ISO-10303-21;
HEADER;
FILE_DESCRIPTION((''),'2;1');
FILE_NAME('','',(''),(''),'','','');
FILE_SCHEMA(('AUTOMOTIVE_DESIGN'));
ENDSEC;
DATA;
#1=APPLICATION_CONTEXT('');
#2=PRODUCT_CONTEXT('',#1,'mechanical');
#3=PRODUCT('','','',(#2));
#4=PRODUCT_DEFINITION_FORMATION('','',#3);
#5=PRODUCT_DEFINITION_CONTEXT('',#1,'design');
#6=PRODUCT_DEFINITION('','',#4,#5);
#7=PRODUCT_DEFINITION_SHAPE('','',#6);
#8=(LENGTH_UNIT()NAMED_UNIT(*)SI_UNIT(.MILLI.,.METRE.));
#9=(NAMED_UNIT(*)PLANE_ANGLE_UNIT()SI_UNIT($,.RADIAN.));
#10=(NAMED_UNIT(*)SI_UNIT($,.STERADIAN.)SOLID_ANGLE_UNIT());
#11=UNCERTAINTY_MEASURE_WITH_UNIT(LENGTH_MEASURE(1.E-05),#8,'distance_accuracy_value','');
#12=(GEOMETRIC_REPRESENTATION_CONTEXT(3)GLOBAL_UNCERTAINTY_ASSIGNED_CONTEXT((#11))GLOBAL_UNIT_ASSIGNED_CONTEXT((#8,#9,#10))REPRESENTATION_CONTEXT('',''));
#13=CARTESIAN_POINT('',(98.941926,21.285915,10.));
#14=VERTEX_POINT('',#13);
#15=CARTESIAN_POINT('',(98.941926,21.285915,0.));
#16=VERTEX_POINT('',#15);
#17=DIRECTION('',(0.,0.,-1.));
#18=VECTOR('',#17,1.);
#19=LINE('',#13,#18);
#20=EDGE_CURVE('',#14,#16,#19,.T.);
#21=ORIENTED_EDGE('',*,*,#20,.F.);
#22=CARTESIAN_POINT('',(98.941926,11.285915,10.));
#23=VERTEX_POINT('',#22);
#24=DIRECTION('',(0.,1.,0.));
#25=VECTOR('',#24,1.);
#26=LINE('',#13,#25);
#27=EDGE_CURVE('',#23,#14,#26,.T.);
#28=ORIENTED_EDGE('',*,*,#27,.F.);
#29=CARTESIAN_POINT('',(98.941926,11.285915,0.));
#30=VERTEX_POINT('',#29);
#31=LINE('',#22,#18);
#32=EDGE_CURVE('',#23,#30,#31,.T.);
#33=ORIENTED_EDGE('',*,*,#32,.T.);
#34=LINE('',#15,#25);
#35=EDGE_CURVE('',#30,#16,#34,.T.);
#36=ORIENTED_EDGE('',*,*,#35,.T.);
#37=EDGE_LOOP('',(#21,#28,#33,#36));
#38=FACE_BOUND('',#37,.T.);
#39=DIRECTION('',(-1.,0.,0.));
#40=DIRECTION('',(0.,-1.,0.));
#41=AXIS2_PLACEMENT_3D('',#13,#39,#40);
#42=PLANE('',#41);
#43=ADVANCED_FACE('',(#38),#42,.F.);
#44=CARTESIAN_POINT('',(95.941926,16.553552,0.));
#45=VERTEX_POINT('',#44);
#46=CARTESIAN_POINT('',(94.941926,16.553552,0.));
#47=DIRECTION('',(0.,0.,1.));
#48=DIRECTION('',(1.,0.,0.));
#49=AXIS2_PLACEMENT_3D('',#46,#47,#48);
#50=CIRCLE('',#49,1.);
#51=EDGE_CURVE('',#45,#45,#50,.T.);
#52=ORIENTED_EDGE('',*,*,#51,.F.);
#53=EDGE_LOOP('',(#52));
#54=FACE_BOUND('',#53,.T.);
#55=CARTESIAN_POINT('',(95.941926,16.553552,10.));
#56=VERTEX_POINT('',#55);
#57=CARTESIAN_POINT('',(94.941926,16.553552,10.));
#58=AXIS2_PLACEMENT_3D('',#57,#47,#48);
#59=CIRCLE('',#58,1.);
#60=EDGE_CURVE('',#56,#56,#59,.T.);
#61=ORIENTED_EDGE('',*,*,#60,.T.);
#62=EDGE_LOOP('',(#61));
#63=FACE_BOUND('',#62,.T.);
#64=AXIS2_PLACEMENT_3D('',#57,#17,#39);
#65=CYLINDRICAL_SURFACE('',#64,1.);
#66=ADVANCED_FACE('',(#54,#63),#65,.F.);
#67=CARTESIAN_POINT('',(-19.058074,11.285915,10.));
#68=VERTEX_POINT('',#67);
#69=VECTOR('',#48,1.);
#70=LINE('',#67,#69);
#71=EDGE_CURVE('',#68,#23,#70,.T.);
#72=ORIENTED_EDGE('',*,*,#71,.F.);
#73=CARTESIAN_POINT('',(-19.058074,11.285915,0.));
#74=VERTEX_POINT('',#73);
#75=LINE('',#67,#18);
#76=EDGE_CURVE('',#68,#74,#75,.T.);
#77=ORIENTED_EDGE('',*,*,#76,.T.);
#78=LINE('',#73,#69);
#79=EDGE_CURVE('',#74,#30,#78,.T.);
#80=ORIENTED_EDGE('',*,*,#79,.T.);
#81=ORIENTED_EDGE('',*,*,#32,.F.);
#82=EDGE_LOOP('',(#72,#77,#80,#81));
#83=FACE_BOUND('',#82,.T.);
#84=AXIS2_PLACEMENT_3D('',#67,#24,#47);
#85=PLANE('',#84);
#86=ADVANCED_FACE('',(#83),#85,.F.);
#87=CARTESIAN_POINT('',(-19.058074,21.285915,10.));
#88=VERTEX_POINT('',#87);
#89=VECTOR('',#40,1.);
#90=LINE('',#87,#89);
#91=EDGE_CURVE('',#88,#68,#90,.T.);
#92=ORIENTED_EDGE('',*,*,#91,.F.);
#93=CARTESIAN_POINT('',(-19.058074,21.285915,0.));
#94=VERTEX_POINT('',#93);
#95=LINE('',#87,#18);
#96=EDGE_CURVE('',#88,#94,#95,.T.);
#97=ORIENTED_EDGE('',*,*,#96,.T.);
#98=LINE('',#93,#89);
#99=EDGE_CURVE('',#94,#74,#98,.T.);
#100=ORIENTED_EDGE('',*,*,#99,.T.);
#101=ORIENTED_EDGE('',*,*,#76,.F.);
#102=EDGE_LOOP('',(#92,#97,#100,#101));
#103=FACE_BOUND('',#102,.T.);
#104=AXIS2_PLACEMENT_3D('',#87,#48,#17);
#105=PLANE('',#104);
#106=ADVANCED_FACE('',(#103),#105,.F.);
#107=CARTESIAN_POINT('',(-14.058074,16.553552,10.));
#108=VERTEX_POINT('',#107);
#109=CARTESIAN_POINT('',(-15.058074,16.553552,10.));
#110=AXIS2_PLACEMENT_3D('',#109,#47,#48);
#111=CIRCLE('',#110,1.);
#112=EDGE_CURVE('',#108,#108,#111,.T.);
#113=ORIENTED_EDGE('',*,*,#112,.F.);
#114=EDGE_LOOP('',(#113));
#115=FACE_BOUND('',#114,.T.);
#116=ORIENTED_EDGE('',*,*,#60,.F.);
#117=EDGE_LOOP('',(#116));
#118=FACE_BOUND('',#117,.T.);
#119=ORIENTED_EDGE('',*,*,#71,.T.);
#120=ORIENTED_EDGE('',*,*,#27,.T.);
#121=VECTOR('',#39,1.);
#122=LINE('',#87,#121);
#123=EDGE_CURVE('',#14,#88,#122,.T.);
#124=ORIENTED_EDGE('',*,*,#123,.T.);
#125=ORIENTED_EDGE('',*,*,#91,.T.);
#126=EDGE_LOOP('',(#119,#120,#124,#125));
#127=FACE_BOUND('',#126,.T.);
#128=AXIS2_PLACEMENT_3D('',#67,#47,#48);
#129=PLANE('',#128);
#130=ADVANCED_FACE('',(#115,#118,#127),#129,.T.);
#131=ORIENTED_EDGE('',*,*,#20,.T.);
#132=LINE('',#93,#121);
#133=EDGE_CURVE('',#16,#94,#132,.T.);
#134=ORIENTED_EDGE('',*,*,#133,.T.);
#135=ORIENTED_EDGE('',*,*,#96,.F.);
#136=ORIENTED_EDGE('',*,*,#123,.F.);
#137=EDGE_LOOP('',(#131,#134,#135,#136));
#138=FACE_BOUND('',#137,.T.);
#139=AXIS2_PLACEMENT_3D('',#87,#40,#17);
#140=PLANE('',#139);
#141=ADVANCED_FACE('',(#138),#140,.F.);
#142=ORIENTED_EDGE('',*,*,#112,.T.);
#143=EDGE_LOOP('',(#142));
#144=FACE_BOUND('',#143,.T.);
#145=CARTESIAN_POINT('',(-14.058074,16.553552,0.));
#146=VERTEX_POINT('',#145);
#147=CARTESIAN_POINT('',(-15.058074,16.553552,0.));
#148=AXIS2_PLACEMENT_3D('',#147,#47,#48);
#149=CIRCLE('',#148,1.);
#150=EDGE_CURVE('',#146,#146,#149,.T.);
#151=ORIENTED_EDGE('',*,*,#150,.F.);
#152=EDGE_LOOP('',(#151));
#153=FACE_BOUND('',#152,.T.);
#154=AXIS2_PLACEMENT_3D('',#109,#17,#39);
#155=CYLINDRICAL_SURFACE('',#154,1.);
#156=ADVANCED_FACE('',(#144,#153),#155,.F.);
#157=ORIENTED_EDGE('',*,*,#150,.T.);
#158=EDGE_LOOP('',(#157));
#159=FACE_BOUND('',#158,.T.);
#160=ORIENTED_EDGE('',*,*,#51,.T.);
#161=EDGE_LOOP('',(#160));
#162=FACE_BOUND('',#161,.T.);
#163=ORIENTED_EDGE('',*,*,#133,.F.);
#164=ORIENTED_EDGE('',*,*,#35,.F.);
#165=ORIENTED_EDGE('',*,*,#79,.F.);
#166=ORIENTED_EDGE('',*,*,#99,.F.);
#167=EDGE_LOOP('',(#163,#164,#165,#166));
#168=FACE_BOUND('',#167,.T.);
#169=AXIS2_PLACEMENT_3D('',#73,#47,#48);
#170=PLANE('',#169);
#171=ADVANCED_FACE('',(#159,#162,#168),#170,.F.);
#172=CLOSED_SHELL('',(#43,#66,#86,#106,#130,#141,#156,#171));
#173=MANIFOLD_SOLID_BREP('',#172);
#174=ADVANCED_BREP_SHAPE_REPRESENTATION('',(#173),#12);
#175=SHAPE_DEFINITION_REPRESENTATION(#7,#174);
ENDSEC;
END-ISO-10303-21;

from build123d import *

# Parameters (mm, degrees)
ESQUISSE1_W        = 118
ESQUISSE1_H        = 10
ESQUISSE1_R        = 1
BOSS_EXTRU_1_DEPTH = 10


with BuildPart() as part:
    # Esquisse1 → Boss.-Extru.1 (new body)
    with BuildSketch(Plane.XY):
        with Locations((39.941925861, 16.285915493)):
            Rectangle(ESQUISSE1_W, ESQUISSE1_H)
        with Locations((94.941925861, 16.553552035)):
            Circle(ESQUISSE1_R, mode=Mode.SUBTRACT)
        with Locations((-15.058074139, 16.553552035)):
            Circle(ESQUISSE1_R, mode=Mode.SUBTRACT)
    extrude(amount=BOSS_EXTRU_1_DEPTH)


solid = part.part
